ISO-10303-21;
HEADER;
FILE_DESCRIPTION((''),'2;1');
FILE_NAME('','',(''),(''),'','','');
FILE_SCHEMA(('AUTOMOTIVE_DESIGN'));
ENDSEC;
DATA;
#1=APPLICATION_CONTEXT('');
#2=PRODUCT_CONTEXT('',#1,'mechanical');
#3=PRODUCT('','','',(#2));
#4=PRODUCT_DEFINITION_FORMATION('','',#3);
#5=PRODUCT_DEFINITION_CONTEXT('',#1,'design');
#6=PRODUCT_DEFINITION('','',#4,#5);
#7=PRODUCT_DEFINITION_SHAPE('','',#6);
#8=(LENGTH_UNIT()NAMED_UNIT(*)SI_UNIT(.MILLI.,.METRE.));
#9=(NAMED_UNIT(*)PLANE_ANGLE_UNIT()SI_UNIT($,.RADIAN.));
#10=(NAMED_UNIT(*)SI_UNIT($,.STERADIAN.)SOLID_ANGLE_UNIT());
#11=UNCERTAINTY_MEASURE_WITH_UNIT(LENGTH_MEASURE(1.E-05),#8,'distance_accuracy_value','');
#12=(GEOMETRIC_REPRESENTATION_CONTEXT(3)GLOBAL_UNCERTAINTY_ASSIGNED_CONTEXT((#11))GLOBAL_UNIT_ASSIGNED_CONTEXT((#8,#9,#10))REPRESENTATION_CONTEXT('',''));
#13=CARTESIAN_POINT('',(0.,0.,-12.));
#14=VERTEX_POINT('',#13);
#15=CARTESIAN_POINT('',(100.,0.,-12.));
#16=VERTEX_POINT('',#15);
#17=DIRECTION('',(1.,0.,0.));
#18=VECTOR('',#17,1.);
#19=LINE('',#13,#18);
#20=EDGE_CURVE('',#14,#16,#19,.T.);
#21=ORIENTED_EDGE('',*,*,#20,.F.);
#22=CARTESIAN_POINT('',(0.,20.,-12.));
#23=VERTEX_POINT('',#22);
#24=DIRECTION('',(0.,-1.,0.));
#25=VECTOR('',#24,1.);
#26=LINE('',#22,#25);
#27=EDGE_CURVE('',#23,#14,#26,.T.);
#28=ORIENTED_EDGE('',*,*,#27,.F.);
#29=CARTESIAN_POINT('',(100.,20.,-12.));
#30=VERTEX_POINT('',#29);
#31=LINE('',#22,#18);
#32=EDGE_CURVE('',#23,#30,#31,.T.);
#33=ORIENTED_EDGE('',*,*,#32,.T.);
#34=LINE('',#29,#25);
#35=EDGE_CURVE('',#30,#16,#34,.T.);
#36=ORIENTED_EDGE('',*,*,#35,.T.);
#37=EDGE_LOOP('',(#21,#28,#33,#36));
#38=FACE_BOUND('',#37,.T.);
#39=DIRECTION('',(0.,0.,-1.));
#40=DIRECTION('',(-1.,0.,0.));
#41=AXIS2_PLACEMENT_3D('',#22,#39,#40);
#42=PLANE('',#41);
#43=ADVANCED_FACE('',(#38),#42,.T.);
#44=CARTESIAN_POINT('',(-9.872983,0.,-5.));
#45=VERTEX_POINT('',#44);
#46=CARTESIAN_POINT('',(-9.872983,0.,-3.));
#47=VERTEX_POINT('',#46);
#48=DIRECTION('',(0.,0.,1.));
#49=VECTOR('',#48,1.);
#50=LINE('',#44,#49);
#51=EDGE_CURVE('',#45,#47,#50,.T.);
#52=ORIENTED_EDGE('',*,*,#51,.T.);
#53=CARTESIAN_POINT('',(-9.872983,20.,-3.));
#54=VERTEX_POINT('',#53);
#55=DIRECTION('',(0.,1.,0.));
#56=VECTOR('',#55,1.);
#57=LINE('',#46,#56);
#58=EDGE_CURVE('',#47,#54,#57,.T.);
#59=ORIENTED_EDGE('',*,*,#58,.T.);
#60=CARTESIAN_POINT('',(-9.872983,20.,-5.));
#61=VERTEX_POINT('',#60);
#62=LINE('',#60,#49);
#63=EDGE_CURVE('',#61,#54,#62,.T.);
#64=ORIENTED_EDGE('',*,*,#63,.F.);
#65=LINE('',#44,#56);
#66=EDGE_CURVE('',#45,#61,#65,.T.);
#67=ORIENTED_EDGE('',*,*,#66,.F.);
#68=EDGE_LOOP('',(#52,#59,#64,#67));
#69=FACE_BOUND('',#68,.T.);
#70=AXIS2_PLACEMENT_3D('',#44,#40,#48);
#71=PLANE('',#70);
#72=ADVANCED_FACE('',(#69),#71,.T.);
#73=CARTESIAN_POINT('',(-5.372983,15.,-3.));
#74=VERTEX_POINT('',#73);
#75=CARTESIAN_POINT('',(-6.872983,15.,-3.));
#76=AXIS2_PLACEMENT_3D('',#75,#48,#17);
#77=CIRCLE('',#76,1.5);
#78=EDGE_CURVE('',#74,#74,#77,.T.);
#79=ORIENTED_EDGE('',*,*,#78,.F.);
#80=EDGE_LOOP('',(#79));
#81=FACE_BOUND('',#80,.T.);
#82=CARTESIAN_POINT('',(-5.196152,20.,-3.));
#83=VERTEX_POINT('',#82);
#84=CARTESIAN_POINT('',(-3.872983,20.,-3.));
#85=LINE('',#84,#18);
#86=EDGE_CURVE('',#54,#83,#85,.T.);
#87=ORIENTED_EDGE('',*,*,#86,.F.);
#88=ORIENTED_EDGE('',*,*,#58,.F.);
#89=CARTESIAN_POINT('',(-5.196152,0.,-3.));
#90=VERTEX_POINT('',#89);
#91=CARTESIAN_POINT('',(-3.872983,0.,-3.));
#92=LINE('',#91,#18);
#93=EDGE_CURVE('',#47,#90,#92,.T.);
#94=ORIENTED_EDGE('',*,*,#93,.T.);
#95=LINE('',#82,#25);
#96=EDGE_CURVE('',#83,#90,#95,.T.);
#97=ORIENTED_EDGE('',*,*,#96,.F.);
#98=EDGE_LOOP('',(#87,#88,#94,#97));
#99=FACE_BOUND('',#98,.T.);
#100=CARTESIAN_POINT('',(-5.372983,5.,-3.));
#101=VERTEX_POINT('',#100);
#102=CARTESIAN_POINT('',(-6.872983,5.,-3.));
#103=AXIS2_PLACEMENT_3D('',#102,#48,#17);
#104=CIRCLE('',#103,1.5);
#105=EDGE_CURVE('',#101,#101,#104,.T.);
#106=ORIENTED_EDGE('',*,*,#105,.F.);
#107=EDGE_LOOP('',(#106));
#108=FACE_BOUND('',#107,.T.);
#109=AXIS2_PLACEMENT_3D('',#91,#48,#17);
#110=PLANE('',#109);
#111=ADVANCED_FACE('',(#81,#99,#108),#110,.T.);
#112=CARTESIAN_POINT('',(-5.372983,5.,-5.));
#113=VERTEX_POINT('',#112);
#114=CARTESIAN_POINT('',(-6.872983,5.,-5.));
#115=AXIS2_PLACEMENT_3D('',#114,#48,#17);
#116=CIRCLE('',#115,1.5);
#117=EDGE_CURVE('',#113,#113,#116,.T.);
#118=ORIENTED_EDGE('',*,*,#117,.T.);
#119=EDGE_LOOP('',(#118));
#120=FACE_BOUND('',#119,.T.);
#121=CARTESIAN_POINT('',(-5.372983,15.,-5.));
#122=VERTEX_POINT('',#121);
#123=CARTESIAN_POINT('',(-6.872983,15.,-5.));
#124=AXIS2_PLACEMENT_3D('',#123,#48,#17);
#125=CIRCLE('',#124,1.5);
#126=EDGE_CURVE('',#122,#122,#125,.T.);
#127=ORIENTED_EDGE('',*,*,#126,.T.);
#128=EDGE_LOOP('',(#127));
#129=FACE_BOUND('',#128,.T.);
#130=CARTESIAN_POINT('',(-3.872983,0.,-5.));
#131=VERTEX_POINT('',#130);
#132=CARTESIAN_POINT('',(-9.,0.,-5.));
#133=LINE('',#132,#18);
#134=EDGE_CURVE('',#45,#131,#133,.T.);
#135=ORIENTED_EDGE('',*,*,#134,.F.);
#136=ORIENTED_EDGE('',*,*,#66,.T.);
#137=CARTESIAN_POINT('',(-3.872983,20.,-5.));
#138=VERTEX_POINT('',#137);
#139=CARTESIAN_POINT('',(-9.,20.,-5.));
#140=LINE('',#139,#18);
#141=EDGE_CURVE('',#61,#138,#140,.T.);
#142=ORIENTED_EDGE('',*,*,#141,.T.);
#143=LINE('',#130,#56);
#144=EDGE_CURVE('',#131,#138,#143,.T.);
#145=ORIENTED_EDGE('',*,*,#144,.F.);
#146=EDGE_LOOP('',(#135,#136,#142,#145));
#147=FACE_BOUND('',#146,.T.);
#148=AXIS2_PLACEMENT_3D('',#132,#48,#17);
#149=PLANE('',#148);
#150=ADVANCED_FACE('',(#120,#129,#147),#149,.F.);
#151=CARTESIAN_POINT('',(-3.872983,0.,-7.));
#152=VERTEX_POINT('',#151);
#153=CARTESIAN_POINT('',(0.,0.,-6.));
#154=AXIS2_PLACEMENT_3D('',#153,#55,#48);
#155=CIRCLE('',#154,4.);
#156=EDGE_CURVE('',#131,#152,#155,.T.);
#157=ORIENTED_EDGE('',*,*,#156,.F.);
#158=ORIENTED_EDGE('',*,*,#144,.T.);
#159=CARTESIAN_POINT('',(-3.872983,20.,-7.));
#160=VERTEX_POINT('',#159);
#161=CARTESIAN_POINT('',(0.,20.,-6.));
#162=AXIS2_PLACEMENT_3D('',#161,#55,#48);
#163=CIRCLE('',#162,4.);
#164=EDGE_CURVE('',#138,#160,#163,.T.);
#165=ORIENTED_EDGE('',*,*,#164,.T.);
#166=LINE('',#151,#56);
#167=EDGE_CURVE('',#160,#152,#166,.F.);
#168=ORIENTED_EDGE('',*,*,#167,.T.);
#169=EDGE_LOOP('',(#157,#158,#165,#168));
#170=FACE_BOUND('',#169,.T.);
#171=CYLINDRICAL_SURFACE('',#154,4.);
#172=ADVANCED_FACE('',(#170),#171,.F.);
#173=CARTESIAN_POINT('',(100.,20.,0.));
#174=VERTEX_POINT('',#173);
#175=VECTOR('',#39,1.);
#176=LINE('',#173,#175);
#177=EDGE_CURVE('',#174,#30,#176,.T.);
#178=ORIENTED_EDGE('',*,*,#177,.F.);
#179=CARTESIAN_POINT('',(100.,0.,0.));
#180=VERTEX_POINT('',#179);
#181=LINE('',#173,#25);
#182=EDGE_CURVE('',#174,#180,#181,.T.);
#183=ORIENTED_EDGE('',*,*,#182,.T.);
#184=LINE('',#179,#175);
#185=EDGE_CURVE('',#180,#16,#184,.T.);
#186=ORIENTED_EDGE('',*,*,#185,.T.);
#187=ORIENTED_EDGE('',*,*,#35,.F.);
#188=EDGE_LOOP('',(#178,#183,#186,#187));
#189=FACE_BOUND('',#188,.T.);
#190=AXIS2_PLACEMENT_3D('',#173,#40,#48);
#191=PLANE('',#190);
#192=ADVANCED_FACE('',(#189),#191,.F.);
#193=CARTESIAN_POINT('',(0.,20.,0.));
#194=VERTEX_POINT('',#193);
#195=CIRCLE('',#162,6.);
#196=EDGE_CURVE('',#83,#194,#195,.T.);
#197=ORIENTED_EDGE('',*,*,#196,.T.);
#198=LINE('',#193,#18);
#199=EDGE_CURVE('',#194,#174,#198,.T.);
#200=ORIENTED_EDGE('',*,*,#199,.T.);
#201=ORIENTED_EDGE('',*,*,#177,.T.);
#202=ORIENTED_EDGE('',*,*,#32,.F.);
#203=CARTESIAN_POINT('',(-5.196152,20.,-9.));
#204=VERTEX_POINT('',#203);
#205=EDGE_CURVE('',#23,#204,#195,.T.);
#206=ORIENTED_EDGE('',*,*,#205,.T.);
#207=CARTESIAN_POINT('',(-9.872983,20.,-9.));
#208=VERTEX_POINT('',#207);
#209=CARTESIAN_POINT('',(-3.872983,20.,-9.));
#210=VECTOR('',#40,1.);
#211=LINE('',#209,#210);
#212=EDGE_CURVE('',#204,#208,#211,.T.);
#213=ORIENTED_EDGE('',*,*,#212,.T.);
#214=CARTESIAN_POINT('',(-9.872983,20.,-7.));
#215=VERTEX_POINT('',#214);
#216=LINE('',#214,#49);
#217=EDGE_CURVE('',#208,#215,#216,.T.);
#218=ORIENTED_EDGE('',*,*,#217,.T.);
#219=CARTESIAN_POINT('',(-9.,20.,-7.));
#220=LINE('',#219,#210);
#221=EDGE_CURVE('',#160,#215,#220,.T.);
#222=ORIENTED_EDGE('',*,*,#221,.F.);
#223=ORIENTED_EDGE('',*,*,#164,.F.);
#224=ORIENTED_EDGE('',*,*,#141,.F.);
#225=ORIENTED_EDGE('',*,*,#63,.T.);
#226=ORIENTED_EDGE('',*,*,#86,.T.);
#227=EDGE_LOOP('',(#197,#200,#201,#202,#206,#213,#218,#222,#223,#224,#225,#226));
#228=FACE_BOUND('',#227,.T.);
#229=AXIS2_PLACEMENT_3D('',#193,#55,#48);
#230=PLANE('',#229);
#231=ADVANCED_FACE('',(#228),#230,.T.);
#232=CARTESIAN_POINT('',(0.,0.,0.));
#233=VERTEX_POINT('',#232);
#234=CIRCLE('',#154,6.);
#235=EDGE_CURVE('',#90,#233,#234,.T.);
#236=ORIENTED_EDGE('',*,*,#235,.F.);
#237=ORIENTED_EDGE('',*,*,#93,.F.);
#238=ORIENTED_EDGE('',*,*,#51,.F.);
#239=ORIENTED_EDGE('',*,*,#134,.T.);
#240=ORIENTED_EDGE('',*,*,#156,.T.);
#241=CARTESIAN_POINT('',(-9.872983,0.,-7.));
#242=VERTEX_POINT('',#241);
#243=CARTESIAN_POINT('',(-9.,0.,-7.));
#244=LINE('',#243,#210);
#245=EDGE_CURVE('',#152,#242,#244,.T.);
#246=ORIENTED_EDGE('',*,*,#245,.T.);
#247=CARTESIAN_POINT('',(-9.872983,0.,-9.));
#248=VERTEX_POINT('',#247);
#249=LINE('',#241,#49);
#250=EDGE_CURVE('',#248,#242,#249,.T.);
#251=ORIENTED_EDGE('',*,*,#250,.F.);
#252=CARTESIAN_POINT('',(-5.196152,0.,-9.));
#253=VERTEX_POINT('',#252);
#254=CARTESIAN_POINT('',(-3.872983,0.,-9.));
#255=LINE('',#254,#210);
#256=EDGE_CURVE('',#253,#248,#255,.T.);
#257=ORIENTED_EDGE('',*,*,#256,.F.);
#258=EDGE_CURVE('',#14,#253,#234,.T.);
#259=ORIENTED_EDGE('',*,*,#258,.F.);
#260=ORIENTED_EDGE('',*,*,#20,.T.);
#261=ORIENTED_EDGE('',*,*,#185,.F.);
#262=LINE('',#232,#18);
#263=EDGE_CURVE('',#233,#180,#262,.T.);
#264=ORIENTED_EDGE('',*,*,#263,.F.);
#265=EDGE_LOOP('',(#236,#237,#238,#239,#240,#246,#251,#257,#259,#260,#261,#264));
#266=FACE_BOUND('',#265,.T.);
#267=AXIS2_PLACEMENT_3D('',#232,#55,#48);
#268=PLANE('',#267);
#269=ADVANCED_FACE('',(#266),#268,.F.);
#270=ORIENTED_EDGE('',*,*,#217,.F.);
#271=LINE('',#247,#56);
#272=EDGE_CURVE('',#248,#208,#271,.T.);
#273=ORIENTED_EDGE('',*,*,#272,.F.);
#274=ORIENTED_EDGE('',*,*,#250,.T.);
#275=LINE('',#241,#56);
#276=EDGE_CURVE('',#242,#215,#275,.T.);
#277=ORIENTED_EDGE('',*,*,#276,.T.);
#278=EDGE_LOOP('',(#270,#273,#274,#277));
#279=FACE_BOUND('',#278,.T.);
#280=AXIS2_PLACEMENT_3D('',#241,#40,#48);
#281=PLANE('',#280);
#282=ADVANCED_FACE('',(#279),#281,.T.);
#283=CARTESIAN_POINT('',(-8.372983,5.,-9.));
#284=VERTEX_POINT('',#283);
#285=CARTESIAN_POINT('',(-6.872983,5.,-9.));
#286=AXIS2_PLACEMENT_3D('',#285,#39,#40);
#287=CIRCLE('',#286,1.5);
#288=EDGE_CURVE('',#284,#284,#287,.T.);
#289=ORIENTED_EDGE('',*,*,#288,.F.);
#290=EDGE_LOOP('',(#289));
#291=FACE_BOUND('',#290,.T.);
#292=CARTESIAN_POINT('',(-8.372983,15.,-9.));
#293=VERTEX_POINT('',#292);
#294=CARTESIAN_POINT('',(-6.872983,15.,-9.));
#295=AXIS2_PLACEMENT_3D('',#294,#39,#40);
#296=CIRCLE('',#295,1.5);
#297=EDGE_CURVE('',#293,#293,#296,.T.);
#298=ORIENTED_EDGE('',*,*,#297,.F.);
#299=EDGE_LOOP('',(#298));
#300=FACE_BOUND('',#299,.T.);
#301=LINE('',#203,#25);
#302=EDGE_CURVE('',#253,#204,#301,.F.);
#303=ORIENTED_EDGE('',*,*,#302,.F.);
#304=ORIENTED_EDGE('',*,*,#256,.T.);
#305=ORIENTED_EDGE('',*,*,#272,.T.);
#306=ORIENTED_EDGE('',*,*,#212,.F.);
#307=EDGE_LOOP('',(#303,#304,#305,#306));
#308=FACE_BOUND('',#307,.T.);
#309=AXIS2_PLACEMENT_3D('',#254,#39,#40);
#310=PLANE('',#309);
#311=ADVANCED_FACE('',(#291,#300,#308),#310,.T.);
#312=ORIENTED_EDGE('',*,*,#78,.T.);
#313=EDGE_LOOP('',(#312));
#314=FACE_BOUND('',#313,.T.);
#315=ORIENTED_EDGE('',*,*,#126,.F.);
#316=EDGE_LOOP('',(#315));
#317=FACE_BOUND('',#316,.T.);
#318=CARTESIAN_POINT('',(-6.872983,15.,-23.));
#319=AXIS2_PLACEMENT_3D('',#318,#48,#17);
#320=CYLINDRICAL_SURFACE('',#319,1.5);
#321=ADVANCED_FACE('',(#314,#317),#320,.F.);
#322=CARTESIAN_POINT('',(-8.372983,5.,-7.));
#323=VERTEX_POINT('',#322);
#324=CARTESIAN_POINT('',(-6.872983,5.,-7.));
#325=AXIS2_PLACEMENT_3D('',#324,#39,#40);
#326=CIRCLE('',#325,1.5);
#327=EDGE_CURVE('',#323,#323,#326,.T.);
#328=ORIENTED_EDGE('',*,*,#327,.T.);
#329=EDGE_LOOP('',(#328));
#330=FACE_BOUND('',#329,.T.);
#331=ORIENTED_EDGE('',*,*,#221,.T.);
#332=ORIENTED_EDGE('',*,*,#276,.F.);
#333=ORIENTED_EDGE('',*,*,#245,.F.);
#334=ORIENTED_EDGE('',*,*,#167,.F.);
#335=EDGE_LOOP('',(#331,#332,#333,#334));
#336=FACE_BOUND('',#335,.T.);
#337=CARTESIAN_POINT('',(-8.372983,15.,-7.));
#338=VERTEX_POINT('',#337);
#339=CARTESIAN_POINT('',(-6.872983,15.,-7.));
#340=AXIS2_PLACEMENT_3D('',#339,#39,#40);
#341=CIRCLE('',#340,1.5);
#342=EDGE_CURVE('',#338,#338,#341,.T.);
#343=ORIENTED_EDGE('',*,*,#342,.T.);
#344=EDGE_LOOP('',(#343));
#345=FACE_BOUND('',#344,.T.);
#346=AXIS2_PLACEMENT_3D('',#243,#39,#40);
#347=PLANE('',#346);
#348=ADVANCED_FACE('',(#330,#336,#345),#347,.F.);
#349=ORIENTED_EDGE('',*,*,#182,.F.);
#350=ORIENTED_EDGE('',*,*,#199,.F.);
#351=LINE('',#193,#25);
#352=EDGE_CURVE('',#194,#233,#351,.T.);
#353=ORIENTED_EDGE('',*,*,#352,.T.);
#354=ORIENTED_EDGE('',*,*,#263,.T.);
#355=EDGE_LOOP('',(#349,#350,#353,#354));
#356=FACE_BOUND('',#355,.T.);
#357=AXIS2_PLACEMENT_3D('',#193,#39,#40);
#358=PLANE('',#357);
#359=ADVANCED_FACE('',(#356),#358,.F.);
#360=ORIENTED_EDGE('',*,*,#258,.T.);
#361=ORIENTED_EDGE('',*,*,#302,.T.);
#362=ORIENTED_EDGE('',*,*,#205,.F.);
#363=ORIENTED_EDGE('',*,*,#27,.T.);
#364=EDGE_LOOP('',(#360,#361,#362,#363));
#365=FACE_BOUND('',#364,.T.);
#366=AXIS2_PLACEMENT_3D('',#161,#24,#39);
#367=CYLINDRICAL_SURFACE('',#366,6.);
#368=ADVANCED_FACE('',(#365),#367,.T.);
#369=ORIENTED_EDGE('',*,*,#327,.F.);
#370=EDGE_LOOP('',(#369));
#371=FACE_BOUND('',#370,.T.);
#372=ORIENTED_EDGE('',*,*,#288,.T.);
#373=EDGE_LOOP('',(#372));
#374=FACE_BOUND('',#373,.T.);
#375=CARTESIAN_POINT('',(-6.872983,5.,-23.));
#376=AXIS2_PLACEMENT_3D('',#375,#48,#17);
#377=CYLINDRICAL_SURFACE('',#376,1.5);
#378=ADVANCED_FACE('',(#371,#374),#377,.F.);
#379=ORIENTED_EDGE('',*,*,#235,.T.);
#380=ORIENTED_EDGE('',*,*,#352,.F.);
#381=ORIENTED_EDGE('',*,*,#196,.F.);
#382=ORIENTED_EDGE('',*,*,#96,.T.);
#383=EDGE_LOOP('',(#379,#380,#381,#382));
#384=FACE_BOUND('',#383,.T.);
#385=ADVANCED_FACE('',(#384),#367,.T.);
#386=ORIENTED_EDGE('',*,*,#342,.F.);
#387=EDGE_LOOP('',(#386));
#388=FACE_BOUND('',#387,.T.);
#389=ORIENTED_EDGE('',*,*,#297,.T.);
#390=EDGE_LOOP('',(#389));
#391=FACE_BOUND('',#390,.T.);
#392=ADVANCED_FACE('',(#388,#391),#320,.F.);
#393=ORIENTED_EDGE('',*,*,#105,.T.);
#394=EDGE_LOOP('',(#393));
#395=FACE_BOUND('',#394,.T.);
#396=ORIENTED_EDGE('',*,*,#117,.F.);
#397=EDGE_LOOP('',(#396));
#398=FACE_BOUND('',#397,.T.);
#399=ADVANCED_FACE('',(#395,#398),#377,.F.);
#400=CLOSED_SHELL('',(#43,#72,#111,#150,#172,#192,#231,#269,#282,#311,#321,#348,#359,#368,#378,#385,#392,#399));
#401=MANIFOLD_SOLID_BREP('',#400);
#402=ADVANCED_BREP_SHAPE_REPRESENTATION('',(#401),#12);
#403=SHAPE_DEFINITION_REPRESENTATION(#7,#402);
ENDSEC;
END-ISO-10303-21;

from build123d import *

# Parameters (mm, degrees)
ESBO_O1_R                = 6
ESBO_O1_W                = 100
ESBO_O1_H                = 12
RESSALTO_EXTRUS_O1_DEPTH = 20
ESBO_O2_R                = 4
CORTE_EXTRUS_O1_DEPTH    = 20
ESBO_O3_W                = 10
ESBO_O3_H                = 2
CORTE_EXTRUS_O2_DEPTH    = 20
ESBO_O4_W                = 6
ESBO_O4_H                = 2
RESSALTO_EXTRUS_O2_DEPTH = 20
ESBO_O5_R                = 1.5
CORTE_EXTRUS_O3_DEPTH    = 20


with BuildPart() as part:
    # Esboço1 → Ressalto-extrusão1 (new body)
    with BuildSketch(Plane(origin=(0, 0, 0), x_dir=(1, 0, 0), z_dir=(0, 1, 0))):
        with Locations((0, 6)):
            Circle(ESBO_O1_R)
        with Locations((50, 6)):
            Rectangle(ESBO_O1_W, ESBO_O1_H)
    extrude(amount=RESSALTO_EXTRUS_O1_DEPTH)

    # Esboço2 → Corte-extrusão1 (cut)
    with BuildSketch(Plane(origin=(0, 20, 0), x_dir=(1, 0, 0), z_dir=(0, 1, 0))):
        with Locations(Location((0, 6, 0), (0, 0, 270))):
            Circle(ESBO_O2_R)
    extrude(amount=-CORTE_EXTRUS_O1_DEPTH, mode=Mode.SUBTRACT)

    # Esboço3 → Corte-extrusão2 (cut)
    with BuildSketch(Plane(origin=(0, 20, 0), x_dir=(1, 0, 0), z_dir=(0, 1, 0))):
        with Locations((-4, 6)):
            Rectangle(ESBO_O3_W, ESBO_O3_H)
    extrude(amount=-CORTE_EXTRUS_O2_DEPTH, mode=Mode.SUBTRACT)

    # Esboço4 → Ressalto-extrusão2 (add)
    with BuildSketch(Plane(origin=(0, 20, 0), x_dir=(1, 0, 0), z_dir=(0, 1, 0))):
        with Locations((-6.872983346, 8)):
            Rectangle(ESBO_O4_W, ESBO_O4_H)
        with Locations((-6.872983346, 4)):
            Rectangle(ESBO_O4_W, ESBO_O4_H)
    extrude(amount=-RESSALTO_EXTRUS_O2_DEPTH)

    # Esboço5 → Corte-extrusão3 (cut)
    with BuildSketch(Plane.XY.offset(-3)):
        with Locations((-6.872983346, 15)):
            Circle(ESBO_O5_R)
        with Locations((-6.872983346, 5)):
            Circle(ESBO_O5_R)
    extrude(amount=-CORTE_EXTRUS_O3_DEPTH, mode=Mode.SUBTRACT)


solid = part.part
